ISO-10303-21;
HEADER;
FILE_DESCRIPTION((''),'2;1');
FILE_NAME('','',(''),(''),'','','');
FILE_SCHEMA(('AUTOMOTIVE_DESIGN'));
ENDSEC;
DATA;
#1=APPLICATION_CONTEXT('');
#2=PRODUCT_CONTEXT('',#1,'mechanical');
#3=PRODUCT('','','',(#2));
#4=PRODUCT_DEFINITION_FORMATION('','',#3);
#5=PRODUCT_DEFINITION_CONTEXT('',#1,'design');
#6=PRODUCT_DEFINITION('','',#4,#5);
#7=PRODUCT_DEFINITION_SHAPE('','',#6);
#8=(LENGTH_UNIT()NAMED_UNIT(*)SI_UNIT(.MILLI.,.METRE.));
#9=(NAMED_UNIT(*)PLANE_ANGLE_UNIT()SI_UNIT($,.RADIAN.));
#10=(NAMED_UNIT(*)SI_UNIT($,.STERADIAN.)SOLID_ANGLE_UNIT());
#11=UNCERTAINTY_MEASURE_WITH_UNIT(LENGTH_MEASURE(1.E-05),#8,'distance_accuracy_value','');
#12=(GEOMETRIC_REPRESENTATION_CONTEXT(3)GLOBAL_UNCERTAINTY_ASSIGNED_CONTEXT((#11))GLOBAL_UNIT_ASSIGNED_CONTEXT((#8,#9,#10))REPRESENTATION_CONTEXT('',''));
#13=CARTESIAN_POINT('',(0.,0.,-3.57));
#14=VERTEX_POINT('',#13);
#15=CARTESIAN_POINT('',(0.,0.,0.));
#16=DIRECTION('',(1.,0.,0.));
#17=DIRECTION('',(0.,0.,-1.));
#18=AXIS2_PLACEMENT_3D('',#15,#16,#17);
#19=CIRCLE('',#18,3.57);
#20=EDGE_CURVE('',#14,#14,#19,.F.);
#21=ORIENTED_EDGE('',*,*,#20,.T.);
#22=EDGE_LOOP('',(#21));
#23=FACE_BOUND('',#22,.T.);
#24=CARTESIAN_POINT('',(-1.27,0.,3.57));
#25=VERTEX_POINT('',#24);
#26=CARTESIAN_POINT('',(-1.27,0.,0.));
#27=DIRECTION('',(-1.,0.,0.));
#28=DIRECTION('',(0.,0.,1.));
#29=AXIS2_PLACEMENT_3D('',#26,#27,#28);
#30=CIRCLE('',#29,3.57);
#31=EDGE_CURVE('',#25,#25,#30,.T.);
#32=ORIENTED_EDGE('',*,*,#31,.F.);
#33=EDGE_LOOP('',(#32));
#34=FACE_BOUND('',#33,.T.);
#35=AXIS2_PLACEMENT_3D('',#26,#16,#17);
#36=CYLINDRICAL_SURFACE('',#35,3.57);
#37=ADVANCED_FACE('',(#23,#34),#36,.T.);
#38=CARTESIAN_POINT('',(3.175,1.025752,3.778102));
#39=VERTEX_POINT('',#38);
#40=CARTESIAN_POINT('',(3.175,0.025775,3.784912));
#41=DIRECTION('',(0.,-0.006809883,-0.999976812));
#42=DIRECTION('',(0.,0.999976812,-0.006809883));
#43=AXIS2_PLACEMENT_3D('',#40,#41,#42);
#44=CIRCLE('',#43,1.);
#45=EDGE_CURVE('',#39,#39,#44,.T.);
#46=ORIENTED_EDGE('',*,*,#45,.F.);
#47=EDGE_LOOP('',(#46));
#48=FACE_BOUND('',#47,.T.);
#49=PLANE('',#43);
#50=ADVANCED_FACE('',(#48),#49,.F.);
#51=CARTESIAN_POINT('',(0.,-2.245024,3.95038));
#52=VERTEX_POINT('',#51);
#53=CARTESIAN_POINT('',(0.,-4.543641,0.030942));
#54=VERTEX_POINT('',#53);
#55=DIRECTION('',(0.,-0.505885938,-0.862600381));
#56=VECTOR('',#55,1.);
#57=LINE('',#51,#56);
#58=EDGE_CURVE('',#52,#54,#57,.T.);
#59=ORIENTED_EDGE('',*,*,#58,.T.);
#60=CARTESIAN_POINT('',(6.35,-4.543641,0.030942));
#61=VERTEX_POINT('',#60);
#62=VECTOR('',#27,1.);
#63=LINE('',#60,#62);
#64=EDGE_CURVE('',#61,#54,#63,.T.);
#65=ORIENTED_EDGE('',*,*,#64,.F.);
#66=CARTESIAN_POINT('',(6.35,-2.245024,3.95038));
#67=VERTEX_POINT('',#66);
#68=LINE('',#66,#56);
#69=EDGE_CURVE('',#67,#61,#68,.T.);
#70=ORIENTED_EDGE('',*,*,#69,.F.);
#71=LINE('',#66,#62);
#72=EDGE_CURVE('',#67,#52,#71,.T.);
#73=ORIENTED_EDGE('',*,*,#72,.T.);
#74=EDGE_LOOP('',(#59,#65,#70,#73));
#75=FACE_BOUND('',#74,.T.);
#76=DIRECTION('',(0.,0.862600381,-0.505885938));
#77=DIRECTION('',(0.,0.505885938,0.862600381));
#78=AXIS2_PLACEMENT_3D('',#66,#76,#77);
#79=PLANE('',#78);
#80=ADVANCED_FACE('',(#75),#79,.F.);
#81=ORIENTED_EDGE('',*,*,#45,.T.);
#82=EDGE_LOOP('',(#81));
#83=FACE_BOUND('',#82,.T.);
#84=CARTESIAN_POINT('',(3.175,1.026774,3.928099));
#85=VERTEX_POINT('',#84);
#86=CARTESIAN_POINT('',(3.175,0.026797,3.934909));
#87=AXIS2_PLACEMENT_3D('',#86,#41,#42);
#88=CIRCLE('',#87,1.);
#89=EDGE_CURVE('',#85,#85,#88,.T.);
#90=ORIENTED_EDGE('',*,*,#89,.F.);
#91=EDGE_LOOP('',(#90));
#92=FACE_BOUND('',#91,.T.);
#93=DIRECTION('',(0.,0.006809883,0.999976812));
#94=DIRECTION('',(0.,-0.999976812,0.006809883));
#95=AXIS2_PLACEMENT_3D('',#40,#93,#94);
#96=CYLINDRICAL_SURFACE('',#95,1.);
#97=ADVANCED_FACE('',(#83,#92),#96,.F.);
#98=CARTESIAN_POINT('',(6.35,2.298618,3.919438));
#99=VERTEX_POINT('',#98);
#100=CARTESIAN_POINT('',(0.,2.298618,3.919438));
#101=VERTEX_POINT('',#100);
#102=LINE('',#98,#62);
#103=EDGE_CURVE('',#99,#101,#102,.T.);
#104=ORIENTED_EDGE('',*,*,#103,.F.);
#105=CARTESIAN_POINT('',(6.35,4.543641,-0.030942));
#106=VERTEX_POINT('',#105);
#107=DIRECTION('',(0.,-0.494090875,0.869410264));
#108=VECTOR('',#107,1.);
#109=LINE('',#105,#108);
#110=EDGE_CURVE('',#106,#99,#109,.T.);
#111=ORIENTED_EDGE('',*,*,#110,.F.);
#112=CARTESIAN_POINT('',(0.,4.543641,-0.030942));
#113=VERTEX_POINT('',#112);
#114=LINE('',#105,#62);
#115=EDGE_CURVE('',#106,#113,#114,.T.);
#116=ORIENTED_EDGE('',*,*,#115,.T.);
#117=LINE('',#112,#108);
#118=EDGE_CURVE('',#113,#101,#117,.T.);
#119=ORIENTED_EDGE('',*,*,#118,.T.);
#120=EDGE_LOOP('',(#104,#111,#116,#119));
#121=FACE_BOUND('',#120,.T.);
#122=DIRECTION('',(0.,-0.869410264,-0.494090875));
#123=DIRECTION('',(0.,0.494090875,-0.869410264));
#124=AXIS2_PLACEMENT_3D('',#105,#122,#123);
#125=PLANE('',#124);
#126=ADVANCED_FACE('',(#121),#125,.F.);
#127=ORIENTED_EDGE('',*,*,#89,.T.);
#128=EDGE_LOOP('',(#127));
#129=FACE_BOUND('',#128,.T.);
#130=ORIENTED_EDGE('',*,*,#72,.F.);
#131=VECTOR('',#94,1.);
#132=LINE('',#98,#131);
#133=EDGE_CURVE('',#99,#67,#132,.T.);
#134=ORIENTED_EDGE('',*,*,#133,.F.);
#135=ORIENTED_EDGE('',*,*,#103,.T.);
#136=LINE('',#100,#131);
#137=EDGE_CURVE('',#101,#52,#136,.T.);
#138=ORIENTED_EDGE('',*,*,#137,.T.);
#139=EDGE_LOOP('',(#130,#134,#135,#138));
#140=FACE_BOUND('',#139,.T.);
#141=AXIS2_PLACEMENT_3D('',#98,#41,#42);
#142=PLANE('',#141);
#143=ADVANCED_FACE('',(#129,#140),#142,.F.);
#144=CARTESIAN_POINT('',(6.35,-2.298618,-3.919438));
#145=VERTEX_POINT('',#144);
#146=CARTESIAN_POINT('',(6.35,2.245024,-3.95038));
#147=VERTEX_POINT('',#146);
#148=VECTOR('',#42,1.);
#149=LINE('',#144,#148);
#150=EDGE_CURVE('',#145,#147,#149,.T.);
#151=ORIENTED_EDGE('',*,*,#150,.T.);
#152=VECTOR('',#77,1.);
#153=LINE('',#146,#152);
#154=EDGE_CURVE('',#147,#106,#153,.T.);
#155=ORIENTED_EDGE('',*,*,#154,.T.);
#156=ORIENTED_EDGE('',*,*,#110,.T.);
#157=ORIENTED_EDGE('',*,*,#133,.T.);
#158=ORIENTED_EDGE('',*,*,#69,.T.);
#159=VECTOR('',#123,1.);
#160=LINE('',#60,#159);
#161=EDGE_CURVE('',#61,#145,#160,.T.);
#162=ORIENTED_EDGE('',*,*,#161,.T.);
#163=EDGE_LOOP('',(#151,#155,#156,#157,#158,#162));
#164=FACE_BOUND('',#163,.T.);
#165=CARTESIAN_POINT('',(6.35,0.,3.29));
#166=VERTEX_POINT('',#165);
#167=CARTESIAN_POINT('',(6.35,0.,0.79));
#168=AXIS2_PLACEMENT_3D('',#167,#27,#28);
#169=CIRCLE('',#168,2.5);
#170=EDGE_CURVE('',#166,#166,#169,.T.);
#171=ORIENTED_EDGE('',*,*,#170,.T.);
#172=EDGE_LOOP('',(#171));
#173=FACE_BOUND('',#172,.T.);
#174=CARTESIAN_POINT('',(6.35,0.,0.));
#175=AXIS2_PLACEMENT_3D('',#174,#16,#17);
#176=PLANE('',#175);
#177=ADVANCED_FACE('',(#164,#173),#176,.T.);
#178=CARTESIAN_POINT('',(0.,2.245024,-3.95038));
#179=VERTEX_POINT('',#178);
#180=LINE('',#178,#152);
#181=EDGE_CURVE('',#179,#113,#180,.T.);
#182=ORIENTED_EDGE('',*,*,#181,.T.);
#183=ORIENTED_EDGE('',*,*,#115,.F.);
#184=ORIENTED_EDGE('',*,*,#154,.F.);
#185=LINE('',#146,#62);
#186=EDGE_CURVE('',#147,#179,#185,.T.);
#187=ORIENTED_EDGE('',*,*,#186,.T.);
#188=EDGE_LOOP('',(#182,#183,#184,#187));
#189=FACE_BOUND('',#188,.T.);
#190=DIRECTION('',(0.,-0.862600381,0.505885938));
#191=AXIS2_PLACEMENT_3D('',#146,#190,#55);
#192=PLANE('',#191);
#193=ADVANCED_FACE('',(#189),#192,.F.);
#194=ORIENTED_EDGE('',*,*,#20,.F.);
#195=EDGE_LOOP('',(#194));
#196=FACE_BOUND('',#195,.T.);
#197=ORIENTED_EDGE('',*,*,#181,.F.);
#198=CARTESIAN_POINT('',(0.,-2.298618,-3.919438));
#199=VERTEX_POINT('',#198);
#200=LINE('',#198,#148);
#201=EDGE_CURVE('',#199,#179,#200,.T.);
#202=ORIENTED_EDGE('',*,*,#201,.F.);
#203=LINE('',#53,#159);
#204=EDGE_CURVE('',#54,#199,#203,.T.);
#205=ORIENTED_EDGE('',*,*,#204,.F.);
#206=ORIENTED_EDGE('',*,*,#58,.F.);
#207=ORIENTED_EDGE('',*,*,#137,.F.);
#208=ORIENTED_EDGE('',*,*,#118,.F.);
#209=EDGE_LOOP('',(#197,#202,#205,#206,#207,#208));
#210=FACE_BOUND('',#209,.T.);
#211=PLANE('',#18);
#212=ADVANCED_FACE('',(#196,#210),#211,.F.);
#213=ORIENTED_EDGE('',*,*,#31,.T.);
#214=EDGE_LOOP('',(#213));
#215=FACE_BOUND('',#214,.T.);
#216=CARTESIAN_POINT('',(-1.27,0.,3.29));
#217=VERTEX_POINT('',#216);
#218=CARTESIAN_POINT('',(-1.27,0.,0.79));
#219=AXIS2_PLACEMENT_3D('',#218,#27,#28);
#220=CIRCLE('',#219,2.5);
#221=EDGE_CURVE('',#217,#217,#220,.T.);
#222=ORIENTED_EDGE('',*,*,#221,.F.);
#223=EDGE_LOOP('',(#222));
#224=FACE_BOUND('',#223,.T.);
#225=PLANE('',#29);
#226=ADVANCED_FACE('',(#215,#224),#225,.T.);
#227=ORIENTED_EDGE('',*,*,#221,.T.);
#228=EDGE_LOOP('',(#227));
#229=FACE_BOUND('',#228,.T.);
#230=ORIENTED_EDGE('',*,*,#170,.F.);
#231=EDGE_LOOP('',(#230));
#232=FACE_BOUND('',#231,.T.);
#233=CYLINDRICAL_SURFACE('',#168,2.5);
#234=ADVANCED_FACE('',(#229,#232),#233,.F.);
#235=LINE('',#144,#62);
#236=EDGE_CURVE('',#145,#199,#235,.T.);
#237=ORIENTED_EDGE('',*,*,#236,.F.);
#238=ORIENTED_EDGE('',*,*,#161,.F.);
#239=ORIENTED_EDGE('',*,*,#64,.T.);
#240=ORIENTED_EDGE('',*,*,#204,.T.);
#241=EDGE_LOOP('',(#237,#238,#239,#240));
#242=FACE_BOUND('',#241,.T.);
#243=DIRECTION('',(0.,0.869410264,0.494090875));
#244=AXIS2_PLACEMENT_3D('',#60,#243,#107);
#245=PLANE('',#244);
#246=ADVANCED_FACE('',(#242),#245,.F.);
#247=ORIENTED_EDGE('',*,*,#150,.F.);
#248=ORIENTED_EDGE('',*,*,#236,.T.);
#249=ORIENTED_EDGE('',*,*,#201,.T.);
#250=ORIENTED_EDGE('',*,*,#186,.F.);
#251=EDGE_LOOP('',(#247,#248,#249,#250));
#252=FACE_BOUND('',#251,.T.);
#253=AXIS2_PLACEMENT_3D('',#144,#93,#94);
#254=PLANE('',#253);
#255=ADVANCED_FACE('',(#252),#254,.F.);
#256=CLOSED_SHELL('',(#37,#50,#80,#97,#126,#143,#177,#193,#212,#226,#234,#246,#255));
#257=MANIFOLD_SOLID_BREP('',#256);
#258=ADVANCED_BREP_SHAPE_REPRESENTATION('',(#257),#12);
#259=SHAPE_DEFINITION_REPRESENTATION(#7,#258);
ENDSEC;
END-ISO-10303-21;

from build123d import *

# Parameters (mm, degrees)
BOSS_EXTRUDE1_DEPTH = 6.35
SKETCH4_R           = 3.57
BOSS_EXTRUDE2_DEPTH = 1.27
SKETCH3_R           = 2.5
CUT_EXTRUDE1_DEPTH  = 8.62
SKETCH5_R           = 1
CUT_EXTRUDE3_DEPTH  = 0.15


with BuildPart() as part:
    # Sketch2 → Boss-Extrude1 (new body)
    with BuildSketch(Plane(origin=(0, 0, 0), x_dir=(0, 0, -1), z_dir=(1, 0, 0))):
        Polygon((3.919437566, -2.29861752), (3.950379949, 2.245023741), (0.030942383, 4.54364126), (-3.919437566, 2.29861752), (-3.950379949, -2.245023741), (-0.030942383, -4.54364126), align=None)
    extrude(amount=BOSS_EXTRUDE1_DEPTH)

    # Sketch4 → Boss-Extrude2 (add)
    with BuildSketch(Plane.ZY):
        Circle(SKETCH4_R)
    extrude(amount=BOSS_EXTRUDE2_DEPTH)

    # Sketch3 → Cut-Extrude1 (cut, through all)
    with BuildSketch(Plane.ZY.offset(1.27)):
        with Locations((0.79, 0)):
            Circle(SKETCH3_R)
    extrude(amount=-CUT_EXTRUDE1_DEPTH, mode=Mode.SUBTRACT)

    # Sketch5 → Cut-Extrude3 (cut)
    with BuildSketch(Plane(origin=(0, 0.02679689, 3.934908757), x_dir=(1, 0, 0), z_dir=(0, -0.006809883, -0.999976812))):
        with Locations((3.175, 0)):
            Circle(SKETCH5_R)
    extrude(amount=CUT_EXTRUDE3_DEPTH, mode=Mode.SUBTRACT)


solid = part.part
